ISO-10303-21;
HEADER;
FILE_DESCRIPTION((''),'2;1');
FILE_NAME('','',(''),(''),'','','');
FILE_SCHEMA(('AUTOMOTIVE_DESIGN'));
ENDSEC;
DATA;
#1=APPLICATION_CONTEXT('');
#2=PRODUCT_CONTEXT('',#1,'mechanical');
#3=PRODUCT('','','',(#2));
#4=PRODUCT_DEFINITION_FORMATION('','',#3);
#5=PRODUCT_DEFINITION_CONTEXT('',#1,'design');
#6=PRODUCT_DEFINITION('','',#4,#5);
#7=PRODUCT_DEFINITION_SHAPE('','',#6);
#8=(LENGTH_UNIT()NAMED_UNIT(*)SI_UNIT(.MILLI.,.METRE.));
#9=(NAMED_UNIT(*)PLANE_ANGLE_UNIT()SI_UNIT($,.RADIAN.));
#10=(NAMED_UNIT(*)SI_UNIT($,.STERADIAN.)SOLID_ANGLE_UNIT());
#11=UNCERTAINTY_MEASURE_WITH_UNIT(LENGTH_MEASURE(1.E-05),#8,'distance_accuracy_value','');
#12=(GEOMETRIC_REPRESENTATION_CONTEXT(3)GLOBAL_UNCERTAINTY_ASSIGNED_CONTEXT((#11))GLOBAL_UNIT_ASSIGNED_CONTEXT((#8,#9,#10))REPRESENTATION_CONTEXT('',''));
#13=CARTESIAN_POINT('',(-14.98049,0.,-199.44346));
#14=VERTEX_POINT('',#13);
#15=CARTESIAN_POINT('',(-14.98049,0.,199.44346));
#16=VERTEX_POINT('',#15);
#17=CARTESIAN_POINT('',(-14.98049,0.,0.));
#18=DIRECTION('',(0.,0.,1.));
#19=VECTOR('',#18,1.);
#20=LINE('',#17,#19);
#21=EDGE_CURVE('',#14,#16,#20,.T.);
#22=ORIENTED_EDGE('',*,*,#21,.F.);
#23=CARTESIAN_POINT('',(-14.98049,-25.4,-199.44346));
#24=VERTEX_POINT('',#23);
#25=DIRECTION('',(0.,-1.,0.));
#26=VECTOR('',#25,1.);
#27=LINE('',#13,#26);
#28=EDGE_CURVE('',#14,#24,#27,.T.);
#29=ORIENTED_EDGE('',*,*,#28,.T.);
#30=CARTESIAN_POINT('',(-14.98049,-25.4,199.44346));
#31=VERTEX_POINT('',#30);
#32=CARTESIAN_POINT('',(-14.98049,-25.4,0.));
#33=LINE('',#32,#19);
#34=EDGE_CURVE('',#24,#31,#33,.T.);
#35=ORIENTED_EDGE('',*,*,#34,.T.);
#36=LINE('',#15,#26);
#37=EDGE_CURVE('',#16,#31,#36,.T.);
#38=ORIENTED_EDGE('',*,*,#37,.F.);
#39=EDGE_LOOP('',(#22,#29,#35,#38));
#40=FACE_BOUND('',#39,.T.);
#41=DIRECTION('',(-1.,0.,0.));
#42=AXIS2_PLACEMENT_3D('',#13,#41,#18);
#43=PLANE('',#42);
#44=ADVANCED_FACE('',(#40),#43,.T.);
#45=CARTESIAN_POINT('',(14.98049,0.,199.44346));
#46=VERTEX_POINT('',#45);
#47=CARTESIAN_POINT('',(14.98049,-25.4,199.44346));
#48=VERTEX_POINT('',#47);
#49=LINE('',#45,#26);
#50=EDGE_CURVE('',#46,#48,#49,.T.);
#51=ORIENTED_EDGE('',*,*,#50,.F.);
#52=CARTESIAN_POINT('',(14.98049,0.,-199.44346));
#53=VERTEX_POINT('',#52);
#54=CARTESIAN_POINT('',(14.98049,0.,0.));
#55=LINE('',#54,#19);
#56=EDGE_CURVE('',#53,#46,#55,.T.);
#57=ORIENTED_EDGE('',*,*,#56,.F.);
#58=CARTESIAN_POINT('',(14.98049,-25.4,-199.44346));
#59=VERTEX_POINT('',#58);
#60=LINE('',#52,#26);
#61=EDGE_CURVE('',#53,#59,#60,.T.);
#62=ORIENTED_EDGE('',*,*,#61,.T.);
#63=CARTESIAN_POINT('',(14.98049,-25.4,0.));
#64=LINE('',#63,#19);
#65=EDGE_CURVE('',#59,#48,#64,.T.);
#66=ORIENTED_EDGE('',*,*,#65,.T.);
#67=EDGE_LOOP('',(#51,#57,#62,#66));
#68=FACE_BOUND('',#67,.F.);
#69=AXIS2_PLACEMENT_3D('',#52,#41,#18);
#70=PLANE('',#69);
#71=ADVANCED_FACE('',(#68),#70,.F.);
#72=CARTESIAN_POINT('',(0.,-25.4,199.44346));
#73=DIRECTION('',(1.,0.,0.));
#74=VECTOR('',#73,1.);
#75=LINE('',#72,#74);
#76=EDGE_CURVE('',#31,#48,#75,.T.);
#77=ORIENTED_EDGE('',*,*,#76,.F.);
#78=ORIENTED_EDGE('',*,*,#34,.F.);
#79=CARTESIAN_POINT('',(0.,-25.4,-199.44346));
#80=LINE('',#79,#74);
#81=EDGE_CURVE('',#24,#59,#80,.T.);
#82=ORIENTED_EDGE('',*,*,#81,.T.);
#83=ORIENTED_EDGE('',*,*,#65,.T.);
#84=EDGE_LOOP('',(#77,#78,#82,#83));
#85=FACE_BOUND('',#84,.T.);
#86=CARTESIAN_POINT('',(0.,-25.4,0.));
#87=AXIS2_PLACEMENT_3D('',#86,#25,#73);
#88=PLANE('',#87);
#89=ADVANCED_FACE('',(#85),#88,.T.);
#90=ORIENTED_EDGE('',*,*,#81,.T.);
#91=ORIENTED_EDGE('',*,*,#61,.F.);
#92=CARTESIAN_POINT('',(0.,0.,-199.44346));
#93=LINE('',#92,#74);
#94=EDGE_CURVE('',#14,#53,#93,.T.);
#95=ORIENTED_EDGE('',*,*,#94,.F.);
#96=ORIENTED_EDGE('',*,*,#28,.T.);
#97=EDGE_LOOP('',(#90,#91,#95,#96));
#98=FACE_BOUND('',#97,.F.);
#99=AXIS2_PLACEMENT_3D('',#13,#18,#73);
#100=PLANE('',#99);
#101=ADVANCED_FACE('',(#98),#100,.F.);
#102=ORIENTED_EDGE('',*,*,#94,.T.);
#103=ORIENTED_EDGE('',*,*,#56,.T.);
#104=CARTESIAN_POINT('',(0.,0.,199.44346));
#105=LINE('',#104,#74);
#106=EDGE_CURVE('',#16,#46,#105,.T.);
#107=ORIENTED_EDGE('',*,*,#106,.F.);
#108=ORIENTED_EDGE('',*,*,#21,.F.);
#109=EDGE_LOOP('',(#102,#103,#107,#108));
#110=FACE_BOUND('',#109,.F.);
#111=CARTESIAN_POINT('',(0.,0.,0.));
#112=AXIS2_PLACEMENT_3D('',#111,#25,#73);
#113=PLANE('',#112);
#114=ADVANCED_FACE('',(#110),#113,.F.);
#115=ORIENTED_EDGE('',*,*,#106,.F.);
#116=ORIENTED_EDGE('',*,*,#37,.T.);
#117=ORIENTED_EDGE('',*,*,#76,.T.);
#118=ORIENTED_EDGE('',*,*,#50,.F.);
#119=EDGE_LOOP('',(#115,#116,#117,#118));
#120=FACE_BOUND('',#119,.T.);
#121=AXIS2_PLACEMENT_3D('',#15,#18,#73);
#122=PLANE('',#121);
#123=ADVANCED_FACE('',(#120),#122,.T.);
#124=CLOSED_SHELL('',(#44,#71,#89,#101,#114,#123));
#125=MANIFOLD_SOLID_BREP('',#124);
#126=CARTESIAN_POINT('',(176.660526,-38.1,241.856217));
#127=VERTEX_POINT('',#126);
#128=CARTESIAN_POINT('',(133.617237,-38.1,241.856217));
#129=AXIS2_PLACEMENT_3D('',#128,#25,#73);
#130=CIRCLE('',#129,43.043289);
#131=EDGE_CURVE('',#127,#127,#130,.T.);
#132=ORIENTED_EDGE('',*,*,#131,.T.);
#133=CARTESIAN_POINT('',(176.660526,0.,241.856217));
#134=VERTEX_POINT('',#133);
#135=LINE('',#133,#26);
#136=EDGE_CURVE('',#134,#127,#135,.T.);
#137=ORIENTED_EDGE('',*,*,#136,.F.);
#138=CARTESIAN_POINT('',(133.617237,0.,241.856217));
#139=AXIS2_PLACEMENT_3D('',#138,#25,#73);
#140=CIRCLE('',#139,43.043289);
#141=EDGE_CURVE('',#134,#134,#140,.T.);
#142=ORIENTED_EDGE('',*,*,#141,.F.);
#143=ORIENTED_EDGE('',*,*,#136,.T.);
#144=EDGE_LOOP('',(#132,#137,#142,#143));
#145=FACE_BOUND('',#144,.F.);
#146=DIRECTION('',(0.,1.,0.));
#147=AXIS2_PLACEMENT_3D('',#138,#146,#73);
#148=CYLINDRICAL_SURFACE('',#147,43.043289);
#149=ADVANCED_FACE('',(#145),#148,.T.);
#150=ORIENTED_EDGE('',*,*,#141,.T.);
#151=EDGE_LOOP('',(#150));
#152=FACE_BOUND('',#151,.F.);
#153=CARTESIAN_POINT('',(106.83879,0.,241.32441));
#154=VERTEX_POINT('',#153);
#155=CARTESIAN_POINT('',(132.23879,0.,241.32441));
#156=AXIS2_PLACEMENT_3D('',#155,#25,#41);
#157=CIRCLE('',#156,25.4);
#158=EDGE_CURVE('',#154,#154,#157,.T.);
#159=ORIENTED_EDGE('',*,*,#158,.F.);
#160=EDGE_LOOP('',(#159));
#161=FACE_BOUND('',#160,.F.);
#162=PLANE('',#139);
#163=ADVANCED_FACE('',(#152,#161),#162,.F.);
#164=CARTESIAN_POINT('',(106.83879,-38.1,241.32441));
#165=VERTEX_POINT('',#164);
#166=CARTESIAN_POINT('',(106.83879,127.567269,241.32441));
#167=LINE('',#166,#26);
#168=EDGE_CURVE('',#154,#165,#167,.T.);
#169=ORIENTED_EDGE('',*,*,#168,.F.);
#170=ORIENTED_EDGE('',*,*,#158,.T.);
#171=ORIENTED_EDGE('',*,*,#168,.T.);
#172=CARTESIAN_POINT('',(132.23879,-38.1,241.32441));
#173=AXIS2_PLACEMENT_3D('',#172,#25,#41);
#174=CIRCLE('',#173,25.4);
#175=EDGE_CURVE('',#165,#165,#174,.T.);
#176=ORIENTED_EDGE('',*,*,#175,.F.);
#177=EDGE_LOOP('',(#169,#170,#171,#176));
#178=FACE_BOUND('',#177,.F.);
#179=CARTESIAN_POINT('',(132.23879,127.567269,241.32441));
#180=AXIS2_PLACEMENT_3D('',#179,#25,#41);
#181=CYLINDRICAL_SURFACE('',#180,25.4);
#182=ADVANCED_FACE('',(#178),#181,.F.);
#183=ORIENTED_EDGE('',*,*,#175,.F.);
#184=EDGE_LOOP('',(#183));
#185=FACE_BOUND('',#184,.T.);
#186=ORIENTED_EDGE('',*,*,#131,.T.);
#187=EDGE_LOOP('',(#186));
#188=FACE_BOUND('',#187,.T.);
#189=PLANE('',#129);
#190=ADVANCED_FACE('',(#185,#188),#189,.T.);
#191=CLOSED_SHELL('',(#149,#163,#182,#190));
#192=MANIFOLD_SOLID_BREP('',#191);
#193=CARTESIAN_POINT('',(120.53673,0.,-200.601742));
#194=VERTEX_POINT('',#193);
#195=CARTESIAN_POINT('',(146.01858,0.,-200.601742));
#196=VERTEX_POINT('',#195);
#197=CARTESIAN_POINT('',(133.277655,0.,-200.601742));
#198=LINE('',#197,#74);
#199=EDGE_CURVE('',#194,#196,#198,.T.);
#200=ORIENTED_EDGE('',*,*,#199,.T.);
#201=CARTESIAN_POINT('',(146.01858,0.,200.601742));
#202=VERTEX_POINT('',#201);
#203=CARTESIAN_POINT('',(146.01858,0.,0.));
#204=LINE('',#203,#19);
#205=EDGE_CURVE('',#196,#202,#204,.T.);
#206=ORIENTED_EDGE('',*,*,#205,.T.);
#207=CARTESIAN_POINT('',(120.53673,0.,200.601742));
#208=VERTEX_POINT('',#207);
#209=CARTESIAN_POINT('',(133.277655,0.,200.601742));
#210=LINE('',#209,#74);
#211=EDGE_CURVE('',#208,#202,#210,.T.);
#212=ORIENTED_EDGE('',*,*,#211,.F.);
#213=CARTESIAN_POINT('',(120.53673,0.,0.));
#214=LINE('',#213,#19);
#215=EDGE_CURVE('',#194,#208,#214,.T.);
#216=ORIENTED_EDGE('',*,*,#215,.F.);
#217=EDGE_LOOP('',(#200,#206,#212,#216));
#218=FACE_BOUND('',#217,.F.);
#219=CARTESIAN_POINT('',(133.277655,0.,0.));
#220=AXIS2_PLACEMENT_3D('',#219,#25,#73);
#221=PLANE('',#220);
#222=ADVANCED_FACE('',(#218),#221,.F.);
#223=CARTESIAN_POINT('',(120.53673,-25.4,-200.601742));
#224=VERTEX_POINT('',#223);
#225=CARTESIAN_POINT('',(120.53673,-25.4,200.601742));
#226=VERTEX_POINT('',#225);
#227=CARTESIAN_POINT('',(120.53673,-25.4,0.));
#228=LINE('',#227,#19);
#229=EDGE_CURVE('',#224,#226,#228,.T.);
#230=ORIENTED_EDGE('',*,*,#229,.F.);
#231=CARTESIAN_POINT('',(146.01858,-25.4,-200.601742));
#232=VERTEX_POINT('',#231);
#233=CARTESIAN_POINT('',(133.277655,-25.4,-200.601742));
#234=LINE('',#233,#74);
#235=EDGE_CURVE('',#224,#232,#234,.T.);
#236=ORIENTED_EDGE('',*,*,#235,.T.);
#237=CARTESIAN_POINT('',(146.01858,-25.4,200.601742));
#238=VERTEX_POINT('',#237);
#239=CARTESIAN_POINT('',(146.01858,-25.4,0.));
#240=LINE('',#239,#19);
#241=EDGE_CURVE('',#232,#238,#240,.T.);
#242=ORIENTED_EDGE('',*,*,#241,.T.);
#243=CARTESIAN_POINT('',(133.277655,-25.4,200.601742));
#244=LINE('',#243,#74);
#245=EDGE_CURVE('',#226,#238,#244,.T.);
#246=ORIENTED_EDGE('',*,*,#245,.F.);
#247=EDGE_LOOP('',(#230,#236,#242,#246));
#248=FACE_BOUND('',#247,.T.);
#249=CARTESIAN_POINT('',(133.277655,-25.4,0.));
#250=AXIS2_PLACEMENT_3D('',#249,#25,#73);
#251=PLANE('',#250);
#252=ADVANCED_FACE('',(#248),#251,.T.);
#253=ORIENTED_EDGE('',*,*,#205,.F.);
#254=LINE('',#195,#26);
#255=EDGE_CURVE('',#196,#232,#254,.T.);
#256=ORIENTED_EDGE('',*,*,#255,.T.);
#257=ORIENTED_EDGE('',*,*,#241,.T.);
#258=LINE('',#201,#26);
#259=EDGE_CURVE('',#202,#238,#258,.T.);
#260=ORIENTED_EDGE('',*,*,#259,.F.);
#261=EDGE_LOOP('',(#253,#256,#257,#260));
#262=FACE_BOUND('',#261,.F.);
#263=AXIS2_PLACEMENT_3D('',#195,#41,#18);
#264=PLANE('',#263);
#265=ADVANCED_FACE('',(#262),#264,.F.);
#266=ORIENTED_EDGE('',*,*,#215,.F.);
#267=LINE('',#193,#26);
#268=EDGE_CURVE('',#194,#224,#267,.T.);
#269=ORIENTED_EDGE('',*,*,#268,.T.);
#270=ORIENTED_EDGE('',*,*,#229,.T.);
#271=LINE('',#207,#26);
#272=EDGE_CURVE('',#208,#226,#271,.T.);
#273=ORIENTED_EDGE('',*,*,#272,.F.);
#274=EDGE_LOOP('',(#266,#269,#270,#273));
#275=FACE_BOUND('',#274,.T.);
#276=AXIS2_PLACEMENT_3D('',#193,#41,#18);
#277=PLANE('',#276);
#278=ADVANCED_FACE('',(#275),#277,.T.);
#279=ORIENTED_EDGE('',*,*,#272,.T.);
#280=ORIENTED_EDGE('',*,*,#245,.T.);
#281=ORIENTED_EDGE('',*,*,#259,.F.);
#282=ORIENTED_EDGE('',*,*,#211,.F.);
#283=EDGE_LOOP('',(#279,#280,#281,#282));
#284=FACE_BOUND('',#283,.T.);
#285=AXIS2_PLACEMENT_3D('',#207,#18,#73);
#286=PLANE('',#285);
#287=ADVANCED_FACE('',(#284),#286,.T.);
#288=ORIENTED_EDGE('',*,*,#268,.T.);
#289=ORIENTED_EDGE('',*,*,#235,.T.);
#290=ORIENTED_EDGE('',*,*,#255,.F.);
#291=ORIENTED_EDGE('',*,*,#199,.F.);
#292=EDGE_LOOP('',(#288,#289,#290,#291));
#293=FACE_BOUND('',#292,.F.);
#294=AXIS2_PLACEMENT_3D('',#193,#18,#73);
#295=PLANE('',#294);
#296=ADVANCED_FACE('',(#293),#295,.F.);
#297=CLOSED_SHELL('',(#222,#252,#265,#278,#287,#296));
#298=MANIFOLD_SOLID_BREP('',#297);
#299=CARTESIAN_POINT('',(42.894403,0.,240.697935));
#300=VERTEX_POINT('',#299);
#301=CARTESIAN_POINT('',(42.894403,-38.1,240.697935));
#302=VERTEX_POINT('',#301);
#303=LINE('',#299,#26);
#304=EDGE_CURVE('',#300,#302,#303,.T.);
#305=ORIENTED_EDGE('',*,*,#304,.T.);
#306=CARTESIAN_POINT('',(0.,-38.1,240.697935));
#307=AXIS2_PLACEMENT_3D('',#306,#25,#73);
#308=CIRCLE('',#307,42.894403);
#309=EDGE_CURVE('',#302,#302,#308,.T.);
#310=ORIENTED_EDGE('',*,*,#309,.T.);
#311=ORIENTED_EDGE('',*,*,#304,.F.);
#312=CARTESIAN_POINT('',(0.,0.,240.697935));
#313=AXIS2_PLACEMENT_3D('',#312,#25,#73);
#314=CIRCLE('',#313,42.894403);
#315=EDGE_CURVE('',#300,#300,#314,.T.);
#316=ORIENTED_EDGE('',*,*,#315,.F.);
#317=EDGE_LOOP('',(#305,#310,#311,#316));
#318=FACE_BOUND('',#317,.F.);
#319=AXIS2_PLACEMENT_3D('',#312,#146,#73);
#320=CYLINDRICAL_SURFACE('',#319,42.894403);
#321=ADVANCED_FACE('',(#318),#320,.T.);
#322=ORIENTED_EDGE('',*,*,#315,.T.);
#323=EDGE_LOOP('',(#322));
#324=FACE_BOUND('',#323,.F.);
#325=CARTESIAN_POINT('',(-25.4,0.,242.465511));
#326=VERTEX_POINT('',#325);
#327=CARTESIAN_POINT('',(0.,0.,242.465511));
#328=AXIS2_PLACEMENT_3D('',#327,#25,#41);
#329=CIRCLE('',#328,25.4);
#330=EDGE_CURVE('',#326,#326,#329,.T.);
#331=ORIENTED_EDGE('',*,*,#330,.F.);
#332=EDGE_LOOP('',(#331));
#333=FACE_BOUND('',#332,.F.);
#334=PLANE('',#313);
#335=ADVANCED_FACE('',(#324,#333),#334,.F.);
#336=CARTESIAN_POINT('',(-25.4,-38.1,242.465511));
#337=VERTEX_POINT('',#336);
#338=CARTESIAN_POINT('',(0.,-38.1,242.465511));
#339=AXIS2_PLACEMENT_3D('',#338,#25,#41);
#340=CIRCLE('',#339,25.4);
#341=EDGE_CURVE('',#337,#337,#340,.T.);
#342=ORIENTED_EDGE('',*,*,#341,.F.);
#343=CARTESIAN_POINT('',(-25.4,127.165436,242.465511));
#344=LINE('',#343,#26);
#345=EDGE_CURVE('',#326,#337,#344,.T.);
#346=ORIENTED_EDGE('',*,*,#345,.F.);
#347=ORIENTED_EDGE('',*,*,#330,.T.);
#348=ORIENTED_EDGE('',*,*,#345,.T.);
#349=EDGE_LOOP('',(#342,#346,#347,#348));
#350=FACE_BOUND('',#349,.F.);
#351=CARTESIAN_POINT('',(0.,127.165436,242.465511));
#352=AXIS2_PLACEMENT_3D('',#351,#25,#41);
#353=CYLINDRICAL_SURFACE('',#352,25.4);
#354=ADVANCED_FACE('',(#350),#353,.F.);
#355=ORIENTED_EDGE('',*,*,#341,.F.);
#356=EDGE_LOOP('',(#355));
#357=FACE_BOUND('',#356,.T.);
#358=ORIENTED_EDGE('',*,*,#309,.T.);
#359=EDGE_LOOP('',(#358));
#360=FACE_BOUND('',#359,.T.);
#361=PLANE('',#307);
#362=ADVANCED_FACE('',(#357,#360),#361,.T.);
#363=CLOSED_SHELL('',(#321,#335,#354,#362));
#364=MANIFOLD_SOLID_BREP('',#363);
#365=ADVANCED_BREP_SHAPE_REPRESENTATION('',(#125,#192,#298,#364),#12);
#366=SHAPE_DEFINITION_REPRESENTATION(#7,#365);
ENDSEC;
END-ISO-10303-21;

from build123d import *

# Parameters (mm, degrees)
F0_W     = 29.9609806389
F0_H     = 398.8869190216
F1_DEPTH = 25.4
F0_W_2   = 25.4818499088
F0_H_2   = 401.2034833431
F2_R     = 43.043289281
F3_DEPTH = 38.1
F2_R_2   = 42.8944025652
F5_D     = 50.8
F5_2_D   = 50.8


with BuildPart() as f1:
    # F0 (on Front) → F1 (new body)
    with BuildSketch(Plane.XZ):
        Rectangle(F0_W, F0_H)
    extrude(amount=F1_DEPTH)


with BuildPart() as f1b:
    # F0 (on Front) → F1, piece 2 (new body)
    with BuildSketch(Plane.XZ):
        with Locations((133.2776546478, 0)):
            Rectangle(F0_W_2, F0_H_2)
    extrude(amount=F1_DEPTH)


with BuildPart() as f3:
    # F2 (on Front) → F3 (new body)
    with BuildSketch(Plane.XZ):
        with Locations((133.6172372103, 241.8562173843)):
            Circle(F2_R)
    extrude(amount=F3_DEPTH)

    # F5 (through all)
    with Locations(Plane(origin=(0, 0, 0), x_dir=(1, 0, 0), z_dir=(0, 1, 0))):
        with Locations((0, -242.4655109644), (132.2387903929, -241.3244098425)):
            Hole(F5_D / 2)


with BuildPart() as f3b:
    # F2 (on Front) → F3, piece 2 (new body)
    with BuildSketch(Plane.XZ):
        with Locations((0, 240.6979352236)):
            Circle(F2_R_2)
    extrude(amount=F3_DEPTH)

    # F5#2 (through all)
    with Locations(Plane(origin=(0, 0, 0), x_dir=(1, 0, 0), z_dir=(0, 1, 0))):
        with Locations((0, -242.4655109644), (132.2387903929, -241.3244098425)):
            Hole(F5_2_D / 2)


solid = Compound([f1.part, f1b.part, f3.part, f3b.part])
